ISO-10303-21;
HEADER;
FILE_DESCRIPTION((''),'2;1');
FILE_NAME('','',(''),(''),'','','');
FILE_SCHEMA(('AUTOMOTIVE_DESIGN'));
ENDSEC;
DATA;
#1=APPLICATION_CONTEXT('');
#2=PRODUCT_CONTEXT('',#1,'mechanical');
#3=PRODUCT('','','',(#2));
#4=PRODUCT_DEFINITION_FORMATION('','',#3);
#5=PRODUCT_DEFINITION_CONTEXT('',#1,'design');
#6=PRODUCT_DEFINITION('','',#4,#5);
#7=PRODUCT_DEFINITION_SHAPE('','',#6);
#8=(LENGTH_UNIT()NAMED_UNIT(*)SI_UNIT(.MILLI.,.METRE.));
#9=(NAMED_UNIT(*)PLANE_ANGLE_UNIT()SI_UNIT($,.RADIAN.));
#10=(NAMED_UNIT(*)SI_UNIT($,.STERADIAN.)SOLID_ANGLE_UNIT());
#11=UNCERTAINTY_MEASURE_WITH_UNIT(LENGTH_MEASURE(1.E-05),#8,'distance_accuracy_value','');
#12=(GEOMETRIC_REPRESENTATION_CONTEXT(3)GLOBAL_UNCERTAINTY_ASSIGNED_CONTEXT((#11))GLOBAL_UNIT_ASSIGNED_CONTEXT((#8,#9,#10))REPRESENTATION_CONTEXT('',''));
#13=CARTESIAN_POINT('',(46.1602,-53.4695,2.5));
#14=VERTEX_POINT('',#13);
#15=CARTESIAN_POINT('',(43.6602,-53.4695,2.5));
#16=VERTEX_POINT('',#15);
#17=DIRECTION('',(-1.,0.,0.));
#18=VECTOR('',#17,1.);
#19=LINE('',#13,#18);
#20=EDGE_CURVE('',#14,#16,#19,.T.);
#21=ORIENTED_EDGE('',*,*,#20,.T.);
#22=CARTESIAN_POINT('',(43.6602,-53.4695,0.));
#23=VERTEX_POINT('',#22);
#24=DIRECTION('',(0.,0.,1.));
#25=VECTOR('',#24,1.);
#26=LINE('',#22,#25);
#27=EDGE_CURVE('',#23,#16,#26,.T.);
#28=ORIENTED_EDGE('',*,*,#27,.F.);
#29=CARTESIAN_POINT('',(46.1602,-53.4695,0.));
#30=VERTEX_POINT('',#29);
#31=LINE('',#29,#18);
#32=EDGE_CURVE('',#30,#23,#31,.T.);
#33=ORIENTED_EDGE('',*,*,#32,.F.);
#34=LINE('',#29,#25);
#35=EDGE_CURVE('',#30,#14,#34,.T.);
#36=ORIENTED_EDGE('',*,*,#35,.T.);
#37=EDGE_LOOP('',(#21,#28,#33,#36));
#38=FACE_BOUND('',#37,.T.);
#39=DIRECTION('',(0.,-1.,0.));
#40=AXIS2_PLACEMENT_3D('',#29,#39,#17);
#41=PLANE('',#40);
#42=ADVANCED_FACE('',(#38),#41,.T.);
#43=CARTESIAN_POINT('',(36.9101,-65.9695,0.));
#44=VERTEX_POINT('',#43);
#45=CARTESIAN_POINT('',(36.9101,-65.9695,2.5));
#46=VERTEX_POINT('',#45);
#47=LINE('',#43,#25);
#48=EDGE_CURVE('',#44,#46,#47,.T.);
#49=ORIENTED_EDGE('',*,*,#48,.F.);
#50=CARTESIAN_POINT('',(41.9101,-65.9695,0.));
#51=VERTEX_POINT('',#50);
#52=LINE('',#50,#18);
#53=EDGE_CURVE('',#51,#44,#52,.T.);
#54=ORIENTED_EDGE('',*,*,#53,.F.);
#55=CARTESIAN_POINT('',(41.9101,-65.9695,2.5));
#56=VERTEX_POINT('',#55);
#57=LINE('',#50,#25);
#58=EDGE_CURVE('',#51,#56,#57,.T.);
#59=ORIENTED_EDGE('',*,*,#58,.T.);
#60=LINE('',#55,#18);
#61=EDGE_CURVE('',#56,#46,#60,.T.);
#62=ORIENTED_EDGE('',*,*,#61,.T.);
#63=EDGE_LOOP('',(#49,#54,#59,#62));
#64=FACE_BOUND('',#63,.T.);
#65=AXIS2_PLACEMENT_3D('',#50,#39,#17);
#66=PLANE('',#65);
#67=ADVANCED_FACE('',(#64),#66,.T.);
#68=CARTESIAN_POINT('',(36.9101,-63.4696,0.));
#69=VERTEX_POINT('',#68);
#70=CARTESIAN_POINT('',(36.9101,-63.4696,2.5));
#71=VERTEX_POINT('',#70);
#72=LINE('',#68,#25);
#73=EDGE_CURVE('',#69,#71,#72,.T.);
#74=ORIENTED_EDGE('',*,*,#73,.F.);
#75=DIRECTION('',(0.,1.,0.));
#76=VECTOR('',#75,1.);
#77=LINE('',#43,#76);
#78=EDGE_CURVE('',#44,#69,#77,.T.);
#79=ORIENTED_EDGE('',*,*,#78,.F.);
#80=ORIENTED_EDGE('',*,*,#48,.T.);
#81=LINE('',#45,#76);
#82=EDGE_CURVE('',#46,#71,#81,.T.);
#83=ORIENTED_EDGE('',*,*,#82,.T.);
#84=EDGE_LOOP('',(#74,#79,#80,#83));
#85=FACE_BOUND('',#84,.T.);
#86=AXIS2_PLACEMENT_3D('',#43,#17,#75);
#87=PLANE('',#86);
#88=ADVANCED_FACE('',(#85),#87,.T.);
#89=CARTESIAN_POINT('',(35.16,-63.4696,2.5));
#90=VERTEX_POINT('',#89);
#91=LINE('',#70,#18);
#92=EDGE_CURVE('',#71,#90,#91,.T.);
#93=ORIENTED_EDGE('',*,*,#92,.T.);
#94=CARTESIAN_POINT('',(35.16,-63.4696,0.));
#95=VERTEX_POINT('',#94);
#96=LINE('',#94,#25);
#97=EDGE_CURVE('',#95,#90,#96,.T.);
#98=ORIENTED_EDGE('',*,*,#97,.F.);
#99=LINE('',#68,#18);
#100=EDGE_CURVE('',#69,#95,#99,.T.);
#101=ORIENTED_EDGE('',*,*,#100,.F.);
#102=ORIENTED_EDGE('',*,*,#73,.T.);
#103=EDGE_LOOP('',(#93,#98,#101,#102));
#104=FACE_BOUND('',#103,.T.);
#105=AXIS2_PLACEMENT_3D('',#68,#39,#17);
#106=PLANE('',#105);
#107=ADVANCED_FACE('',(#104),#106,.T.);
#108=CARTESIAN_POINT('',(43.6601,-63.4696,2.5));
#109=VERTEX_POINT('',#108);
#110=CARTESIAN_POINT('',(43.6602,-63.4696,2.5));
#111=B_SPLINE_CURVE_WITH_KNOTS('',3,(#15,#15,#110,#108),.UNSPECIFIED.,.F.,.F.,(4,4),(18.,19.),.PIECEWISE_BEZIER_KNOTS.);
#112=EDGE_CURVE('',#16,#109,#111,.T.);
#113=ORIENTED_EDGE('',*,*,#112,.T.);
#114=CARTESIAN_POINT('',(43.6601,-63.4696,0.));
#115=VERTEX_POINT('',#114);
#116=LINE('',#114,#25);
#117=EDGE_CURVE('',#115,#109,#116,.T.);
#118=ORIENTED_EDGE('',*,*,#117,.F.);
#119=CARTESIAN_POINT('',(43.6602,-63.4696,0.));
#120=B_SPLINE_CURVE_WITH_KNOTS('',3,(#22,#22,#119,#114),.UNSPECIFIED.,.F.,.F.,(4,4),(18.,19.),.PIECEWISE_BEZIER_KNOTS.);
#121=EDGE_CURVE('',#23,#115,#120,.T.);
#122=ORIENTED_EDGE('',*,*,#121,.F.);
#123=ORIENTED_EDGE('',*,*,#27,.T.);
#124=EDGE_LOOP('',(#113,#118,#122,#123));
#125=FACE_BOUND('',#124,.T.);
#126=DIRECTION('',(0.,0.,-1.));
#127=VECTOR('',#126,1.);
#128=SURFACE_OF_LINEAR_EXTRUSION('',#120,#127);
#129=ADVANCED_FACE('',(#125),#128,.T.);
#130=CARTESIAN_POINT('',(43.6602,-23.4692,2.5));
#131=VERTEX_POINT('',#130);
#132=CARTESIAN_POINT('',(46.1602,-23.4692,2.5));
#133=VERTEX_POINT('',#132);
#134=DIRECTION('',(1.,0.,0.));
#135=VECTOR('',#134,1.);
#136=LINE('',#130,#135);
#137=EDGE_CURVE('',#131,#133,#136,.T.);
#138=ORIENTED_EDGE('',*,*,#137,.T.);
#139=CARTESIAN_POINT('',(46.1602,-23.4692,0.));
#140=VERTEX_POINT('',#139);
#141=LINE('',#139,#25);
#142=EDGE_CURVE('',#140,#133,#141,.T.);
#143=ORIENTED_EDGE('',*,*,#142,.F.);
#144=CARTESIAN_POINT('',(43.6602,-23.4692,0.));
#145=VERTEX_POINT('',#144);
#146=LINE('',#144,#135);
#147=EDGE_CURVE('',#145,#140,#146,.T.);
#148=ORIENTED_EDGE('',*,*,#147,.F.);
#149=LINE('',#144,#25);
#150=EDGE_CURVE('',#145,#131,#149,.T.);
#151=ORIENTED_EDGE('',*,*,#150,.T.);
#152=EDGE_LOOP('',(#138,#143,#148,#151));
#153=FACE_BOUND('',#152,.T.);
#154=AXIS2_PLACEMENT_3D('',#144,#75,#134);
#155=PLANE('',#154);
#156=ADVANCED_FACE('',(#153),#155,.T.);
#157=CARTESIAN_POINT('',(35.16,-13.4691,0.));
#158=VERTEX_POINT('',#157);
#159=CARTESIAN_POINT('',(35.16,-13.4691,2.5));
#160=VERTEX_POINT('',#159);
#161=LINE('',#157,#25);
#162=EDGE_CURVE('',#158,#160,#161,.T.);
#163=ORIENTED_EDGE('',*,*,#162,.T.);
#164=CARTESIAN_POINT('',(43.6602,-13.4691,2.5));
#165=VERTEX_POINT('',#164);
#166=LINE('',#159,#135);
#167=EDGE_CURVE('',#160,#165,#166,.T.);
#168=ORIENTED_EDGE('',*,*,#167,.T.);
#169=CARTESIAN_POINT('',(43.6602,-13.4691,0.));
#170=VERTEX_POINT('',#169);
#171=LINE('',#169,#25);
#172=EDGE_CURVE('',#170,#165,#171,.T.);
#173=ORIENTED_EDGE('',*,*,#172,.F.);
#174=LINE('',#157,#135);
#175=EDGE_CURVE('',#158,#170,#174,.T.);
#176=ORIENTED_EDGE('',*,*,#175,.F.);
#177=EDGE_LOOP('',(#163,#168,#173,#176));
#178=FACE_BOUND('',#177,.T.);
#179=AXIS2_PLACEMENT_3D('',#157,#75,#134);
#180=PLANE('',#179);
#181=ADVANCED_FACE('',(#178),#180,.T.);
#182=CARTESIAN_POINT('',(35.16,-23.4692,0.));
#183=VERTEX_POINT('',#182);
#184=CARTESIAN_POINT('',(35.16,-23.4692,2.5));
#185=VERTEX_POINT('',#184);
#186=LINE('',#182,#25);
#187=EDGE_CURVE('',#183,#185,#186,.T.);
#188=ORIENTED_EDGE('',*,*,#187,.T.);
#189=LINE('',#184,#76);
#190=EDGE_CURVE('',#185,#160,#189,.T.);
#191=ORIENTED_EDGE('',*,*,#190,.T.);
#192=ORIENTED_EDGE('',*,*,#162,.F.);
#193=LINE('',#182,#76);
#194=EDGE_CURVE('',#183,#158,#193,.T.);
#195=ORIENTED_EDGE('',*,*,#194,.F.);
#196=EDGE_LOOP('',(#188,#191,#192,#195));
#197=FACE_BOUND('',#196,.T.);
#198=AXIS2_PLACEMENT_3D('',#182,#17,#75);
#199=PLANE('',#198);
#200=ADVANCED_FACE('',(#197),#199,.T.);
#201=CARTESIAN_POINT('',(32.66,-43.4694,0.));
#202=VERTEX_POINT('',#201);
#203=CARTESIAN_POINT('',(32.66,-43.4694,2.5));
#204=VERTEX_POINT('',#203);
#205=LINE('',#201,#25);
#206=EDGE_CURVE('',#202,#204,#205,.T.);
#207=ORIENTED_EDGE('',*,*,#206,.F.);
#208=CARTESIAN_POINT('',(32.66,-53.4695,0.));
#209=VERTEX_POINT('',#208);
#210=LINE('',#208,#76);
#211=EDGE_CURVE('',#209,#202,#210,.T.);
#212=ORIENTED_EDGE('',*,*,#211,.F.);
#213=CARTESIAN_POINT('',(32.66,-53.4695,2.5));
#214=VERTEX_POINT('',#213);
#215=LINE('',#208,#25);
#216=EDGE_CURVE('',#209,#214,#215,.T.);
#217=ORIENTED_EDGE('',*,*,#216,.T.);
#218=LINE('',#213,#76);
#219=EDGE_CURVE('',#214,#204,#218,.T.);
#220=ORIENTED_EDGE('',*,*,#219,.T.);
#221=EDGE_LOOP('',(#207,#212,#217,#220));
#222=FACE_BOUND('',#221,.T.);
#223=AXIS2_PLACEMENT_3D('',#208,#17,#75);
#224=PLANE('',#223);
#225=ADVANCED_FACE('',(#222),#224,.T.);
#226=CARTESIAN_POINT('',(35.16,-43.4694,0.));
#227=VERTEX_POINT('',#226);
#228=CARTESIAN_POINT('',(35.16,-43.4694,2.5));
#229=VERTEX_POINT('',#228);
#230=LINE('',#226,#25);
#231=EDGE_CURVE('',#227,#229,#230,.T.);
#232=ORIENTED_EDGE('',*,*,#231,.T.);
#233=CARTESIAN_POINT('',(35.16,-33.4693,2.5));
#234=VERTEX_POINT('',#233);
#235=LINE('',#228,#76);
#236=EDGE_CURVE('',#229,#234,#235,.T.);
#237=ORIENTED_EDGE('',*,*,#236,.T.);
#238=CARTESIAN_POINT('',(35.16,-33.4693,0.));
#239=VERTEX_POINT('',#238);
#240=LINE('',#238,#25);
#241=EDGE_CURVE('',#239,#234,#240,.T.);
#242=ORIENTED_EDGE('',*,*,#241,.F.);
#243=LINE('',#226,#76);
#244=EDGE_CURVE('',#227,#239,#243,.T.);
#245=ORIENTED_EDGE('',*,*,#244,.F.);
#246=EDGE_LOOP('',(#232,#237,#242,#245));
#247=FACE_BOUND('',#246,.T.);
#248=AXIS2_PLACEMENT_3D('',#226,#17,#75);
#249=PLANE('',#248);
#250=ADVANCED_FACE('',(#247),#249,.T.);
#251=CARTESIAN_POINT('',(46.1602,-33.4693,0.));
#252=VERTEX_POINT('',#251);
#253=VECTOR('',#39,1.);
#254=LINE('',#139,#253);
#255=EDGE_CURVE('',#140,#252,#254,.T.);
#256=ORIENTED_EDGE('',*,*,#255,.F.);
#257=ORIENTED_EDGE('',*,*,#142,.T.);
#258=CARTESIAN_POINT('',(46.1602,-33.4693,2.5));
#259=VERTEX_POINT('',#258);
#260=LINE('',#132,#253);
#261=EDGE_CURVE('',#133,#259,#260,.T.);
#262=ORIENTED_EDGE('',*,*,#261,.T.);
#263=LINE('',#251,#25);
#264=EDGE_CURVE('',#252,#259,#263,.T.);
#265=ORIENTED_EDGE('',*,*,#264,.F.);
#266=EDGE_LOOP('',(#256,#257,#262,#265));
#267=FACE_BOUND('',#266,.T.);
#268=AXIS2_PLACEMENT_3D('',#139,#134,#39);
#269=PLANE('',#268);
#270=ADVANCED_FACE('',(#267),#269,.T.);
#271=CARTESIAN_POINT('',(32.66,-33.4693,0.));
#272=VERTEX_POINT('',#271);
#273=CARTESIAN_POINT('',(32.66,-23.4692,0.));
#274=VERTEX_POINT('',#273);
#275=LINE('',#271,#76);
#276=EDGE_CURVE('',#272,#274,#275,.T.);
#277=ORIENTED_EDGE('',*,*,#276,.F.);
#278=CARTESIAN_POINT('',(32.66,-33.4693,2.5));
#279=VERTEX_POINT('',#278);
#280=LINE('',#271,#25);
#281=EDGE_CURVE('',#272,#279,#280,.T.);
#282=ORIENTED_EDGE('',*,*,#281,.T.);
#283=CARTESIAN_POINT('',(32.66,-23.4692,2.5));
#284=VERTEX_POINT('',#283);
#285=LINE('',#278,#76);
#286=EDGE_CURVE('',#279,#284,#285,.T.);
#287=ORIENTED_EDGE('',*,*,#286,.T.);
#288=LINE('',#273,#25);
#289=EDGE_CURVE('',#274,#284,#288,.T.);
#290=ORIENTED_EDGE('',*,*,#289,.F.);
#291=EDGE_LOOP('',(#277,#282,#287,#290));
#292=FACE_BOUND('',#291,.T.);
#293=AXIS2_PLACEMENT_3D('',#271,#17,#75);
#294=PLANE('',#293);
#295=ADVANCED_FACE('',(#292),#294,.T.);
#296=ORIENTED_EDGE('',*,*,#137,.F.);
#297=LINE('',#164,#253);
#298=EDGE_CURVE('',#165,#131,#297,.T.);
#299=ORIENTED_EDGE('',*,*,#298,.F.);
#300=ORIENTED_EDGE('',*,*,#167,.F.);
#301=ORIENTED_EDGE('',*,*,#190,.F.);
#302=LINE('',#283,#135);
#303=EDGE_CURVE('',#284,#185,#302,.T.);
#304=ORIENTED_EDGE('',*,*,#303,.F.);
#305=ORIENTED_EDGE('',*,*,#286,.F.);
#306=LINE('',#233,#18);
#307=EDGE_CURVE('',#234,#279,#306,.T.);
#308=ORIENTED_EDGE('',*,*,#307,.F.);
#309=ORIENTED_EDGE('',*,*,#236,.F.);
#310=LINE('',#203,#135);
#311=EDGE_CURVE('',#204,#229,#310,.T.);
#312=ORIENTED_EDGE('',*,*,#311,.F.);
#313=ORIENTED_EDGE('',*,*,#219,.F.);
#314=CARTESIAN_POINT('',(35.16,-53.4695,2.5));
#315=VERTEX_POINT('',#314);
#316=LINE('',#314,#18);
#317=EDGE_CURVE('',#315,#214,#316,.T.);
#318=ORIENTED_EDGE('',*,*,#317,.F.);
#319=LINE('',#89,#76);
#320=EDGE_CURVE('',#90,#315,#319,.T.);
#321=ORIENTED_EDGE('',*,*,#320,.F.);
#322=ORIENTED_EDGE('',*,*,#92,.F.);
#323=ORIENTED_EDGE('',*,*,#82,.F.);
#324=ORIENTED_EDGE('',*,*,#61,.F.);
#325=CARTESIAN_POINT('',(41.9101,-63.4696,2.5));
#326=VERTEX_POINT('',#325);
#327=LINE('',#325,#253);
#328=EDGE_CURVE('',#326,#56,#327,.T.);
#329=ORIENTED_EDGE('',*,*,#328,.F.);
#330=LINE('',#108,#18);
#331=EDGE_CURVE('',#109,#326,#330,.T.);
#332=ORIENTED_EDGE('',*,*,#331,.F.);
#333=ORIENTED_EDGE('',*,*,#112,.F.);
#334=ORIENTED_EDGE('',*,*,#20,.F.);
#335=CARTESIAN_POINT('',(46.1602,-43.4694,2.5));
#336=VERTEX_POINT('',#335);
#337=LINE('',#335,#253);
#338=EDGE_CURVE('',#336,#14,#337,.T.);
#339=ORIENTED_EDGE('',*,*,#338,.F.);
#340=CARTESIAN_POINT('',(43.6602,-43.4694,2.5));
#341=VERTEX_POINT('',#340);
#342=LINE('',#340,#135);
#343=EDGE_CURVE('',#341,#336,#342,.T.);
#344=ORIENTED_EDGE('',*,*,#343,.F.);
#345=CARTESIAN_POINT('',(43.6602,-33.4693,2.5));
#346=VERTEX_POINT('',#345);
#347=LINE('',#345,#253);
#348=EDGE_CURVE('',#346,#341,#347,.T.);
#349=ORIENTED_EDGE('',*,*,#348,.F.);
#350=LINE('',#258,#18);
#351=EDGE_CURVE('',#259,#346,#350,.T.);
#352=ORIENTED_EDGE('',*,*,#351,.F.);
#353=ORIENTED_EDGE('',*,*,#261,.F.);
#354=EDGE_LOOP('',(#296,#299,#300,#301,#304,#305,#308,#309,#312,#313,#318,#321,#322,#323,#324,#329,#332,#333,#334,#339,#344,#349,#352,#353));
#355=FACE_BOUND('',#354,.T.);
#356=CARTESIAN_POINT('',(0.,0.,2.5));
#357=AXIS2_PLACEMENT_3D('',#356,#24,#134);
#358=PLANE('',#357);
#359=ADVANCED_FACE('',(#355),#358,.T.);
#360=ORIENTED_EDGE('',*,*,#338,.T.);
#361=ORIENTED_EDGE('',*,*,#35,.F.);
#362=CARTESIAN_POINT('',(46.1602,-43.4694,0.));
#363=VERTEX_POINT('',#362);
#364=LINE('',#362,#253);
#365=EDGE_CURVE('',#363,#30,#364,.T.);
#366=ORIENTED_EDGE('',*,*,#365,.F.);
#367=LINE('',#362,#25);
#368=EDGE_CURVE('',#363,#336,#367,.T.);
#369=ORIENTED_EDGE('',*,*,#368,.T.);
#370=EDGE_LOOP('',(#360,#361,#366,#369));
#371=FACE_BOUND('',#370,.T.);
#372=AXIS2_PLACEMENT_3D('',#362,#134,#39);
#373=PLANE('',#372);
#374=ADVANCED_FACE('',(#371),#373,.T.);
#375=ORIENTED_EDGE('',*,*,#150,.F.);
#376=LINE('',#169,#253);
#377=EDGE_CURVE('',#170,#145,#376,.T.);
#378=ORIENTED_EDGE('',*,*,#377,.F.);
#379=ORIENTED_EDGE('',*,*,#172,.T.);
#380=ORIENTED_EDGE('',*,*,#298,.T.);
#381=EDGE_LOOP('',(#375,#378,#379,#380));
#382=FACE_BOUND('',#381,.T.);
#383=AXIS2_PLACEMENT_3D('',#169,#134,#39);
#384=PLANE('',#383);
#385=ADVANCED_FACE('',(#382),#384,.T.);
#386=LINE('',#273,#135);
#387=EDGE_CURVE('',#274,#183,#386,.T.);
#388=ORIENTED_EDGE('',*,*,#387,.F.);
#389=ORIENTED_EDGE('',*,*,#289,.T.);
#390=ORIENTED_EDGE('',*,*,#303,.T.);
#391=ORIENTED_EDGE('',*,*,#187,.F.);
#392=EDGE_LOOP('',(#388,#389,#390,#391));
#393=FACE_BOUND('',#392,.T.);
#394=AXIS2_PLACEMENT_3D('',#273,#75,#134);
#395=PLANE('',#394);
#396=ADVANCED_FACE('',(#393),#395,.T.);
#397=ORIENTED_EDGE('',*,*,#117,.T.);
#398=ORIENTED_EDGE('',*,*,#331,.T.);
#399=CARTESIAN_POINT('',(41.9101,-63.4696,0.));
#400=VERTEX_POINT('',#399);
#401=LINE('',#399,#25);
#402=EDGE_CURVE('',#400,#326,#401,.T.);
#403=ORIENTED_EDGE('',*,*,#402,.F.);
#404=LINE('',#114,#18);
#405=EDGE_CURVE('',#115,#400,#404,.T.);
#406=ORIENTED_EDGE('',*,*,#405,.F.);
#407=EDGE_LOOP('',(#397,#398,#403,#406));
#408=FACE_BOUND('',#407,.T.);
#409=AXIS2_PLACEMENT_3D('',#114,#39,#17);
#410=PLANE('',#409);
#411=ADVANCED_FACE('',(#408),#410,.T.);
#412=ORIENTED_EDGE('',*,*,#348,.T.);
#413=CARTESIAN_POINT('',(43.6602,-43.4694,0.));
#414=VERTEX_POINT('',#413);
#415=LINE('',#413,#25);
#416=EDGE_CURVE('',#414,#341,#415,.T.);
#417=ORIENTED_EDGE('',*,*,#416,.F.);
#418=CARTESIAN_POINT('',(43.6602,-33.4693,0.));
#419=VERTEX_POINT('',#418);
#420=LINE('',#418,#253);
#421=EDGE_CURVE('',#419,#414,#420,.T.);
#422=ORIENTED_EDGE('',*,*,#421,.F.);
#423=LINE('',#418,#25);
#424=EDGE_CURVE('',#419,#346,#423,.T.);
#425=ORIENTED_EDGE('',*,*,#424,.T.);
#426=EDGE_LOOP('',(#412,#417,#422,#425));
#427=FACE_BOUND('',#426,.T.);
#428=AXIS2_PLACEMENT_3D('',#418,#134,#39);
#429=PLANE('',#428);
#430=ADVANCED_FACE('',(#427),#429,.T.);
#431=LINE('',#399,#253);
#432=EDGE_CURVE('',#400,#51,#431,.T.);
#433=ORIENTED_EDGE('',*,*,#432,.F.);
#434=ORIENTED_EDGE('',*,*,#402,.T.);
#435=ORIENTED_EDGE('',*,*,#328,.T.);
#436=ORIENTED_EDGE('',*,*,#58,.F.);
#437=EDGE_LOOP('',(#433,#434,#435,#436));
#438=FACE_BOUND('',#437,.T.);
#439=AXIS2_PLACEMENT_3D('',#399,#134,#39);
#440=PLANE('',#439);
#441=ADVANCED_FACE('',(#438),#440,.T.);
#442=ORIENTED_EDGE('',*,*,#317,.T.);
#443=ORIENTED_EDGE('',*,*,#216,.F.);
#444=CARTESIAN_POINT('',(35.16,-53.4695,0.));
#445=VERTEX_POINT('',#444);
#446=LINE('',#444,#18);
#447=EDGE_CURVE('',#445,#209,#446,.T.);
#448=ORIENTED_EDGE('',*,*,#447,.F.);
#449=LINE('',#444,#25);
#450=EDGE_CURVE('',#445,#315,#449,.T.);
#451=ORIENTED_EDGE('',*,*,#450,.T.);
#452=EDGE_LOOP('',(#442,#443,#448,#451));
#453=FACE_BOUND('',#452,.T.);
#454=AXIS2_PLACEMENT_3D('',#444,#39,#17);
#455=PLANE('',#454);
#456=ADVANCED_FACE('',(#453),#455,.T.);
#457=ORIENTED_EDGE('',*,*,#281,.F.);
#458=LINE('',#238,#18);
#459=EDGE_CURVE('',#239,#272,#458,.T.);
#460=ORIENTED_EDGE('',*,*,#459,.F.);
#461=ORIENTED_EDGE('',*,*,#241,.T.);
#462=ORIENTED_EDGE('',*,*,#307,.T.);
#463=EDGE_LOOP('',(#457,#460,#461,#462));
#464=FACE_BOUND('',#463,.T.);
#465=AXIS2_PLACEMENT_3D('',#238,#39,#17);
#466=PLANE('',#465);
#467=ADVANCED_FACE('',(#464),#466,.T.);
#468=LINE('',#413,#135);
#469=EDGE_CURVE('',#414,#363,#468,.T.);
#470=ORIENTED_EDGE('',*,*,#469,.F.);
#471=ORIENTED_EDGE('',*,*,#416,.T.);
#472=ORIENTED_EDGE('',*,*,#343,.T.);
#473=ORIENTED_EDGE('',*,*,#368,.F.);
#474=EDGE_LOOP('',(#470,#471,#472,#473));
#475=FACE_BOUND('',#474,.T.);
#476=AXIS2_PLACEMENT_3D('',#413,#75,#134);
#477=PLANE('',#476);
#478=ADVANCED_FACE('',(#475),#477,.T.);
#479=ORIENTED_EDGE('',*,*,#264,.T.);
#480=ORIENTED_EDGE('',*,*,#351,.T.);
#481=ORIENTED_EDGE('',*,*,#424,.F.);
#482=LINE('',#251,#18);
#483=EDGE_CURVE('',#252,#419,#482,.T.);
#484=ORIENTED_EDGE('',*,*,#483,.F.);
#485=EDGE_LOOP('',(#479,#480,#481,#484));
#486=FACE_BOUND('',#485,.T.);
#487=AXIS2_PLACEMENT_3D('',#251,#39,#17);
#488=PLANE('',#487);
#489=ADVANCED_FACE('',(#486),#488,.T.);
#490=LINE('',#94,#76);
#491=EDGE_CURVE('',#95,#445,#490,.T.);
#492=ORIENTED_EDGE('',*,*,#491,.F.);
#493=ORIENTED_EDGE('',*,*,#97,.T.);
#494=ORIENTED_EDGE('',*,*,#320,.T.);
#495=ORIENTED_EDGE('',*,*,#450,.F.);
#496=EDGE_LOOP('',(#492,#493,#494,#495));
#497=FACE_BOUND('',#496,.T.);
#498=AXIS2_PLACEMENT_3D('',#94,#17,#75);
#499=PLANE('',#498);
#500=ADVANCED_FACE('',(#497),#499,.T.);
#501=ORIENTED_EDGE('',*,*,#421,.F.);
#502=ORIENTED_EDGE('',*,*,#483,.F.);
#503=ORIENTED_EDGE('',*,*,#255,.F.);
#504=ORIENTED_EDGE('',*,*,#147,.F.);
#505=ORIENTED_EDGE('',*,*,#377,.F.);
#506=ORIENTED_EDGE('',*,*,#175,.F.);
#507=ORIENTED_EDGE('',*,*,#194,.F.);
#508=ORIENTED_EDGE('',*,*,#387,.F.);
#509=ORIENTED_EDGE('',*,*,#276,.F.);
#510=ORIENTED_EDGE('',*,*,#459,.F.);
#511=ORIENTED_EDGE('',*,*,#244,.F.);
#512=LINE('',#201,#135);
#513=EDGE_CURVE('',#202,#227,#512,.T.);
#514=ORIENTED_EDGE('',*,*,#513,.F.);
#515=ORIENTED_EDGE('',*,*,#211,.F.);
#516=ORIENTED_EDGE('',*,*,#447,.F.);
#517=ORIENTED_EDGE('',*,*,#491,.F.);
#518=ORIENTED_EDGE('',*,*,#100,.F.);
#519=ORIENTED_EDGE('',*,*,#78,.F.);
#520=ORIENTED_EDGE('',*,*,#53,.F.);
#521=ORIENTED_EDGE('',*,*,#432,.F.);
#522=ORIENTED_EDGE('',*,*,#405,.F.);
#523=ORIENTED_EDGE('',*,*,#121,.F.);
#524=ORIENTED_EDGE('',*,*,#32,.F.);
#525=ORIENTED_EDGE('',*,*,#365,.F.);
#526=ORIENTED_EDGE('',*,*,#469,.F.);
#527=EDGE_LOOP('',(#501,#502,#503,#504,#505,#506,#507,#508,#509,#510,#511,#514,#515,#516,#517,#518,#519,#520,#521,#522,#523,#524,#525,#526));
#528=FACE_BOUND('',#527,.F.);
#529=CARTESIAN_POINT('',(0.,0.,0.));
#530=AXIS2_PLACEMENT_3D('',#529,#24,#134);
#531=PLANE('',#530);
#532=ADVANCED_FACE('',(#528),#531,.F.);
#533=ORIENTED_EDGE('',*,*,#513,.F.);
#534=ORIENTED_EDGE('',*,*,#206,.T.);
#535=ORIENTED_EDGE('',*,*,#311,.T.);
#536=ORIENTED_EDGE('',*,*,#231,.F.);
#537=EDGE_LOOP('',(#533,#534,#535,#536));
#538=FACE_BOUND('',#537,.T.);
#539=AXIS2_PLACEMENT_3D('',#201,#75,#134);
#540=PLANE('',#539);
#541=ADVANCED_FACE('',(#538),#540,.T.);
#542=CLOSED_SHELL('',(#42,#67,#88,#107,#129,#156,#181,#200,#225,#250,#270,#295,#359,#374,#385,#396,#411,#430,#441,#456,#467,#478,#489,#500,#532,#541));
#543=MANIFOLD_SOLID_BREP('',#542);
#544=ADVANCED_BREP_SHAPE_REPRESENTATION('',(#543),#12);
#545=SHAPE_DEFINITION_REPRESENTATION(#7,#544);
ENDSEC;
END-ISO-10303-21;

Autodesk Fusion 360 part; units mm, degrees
sketch "スケッチ1" plane through (0, 0, 0) normal (0, 0, 1) x (1, 0, 0)
  line L0 (35.16, -63.4696) -> (35.16, -53.4695)
  line L1 (35.16, -53.4695) -> (32.66, -53.4695)
  line L2 (32.66, -53.4695) -> (32.66, -43.4694)
  line L3 (32.66, -43.4694) -> (35.16, -43.4694)
  line L4 (35.16, -43.4694) -> (35.16, -33.4693)
  line L5 (35.16, -33.4693) -> (32.66, -33.4693)
  line L6 (32.66, -33.4693) -> (32.66, -23.4692)
  line L7 (32.66, -23.4692) -> (35.16, -23.4692)
  line L8 (35.16, -23.4692) -> (35.16, -13.4691)
  line L9 (35.16, -13.4691) -> (43.6602, -13.4691)
  line L10 (43.6602, -13.4691) -> (43.6602, -23.4692)
  line L11 (43.6602, -23.4692) -> (46.1602, -23.4692)
  line L12 (46.1602, -23.4692) -> (46.1602, -33.4693)
  line L13 (46.1602, -33.4693) -> (43.6602, -33.4693)
  line L14 (43.6602, -33.4693) -> (43.6602, -43.4694)
  line L15 (43.6602, -43.4694) -> (46.1602, -43.4694)
  line L16 (46.1602, -43.4694) -> (46.1602, -53.4695)
  line L17 (46.1602, -53.4695) -> (43.6602, -53.4695)
  spline S0 degree 3 poles (43.6602, -53.4695) (43.6602, -53.4695) (43.6602, -63.4696) (43.6601, -63.4696) knots 18 18 18 18 19 19 19 19
  line L18 (43.6601, -63.4696) -> (41.9101, -63.4696)
  line L19 (41.9101, -63.4696) -> (41.9101, -65.9695)
  line L20 (41.9101, -65.9695) -> (36.9101, -65.9695)
  line L21 (36.9101, -65.9695) -> (36.9101, -63.4696)
  line L22 (36.9101, -63.4696) -> (35.16, -63.4696)
extrude "押し出し1" add sketch "スケッチ1" along normal blind 2.5
